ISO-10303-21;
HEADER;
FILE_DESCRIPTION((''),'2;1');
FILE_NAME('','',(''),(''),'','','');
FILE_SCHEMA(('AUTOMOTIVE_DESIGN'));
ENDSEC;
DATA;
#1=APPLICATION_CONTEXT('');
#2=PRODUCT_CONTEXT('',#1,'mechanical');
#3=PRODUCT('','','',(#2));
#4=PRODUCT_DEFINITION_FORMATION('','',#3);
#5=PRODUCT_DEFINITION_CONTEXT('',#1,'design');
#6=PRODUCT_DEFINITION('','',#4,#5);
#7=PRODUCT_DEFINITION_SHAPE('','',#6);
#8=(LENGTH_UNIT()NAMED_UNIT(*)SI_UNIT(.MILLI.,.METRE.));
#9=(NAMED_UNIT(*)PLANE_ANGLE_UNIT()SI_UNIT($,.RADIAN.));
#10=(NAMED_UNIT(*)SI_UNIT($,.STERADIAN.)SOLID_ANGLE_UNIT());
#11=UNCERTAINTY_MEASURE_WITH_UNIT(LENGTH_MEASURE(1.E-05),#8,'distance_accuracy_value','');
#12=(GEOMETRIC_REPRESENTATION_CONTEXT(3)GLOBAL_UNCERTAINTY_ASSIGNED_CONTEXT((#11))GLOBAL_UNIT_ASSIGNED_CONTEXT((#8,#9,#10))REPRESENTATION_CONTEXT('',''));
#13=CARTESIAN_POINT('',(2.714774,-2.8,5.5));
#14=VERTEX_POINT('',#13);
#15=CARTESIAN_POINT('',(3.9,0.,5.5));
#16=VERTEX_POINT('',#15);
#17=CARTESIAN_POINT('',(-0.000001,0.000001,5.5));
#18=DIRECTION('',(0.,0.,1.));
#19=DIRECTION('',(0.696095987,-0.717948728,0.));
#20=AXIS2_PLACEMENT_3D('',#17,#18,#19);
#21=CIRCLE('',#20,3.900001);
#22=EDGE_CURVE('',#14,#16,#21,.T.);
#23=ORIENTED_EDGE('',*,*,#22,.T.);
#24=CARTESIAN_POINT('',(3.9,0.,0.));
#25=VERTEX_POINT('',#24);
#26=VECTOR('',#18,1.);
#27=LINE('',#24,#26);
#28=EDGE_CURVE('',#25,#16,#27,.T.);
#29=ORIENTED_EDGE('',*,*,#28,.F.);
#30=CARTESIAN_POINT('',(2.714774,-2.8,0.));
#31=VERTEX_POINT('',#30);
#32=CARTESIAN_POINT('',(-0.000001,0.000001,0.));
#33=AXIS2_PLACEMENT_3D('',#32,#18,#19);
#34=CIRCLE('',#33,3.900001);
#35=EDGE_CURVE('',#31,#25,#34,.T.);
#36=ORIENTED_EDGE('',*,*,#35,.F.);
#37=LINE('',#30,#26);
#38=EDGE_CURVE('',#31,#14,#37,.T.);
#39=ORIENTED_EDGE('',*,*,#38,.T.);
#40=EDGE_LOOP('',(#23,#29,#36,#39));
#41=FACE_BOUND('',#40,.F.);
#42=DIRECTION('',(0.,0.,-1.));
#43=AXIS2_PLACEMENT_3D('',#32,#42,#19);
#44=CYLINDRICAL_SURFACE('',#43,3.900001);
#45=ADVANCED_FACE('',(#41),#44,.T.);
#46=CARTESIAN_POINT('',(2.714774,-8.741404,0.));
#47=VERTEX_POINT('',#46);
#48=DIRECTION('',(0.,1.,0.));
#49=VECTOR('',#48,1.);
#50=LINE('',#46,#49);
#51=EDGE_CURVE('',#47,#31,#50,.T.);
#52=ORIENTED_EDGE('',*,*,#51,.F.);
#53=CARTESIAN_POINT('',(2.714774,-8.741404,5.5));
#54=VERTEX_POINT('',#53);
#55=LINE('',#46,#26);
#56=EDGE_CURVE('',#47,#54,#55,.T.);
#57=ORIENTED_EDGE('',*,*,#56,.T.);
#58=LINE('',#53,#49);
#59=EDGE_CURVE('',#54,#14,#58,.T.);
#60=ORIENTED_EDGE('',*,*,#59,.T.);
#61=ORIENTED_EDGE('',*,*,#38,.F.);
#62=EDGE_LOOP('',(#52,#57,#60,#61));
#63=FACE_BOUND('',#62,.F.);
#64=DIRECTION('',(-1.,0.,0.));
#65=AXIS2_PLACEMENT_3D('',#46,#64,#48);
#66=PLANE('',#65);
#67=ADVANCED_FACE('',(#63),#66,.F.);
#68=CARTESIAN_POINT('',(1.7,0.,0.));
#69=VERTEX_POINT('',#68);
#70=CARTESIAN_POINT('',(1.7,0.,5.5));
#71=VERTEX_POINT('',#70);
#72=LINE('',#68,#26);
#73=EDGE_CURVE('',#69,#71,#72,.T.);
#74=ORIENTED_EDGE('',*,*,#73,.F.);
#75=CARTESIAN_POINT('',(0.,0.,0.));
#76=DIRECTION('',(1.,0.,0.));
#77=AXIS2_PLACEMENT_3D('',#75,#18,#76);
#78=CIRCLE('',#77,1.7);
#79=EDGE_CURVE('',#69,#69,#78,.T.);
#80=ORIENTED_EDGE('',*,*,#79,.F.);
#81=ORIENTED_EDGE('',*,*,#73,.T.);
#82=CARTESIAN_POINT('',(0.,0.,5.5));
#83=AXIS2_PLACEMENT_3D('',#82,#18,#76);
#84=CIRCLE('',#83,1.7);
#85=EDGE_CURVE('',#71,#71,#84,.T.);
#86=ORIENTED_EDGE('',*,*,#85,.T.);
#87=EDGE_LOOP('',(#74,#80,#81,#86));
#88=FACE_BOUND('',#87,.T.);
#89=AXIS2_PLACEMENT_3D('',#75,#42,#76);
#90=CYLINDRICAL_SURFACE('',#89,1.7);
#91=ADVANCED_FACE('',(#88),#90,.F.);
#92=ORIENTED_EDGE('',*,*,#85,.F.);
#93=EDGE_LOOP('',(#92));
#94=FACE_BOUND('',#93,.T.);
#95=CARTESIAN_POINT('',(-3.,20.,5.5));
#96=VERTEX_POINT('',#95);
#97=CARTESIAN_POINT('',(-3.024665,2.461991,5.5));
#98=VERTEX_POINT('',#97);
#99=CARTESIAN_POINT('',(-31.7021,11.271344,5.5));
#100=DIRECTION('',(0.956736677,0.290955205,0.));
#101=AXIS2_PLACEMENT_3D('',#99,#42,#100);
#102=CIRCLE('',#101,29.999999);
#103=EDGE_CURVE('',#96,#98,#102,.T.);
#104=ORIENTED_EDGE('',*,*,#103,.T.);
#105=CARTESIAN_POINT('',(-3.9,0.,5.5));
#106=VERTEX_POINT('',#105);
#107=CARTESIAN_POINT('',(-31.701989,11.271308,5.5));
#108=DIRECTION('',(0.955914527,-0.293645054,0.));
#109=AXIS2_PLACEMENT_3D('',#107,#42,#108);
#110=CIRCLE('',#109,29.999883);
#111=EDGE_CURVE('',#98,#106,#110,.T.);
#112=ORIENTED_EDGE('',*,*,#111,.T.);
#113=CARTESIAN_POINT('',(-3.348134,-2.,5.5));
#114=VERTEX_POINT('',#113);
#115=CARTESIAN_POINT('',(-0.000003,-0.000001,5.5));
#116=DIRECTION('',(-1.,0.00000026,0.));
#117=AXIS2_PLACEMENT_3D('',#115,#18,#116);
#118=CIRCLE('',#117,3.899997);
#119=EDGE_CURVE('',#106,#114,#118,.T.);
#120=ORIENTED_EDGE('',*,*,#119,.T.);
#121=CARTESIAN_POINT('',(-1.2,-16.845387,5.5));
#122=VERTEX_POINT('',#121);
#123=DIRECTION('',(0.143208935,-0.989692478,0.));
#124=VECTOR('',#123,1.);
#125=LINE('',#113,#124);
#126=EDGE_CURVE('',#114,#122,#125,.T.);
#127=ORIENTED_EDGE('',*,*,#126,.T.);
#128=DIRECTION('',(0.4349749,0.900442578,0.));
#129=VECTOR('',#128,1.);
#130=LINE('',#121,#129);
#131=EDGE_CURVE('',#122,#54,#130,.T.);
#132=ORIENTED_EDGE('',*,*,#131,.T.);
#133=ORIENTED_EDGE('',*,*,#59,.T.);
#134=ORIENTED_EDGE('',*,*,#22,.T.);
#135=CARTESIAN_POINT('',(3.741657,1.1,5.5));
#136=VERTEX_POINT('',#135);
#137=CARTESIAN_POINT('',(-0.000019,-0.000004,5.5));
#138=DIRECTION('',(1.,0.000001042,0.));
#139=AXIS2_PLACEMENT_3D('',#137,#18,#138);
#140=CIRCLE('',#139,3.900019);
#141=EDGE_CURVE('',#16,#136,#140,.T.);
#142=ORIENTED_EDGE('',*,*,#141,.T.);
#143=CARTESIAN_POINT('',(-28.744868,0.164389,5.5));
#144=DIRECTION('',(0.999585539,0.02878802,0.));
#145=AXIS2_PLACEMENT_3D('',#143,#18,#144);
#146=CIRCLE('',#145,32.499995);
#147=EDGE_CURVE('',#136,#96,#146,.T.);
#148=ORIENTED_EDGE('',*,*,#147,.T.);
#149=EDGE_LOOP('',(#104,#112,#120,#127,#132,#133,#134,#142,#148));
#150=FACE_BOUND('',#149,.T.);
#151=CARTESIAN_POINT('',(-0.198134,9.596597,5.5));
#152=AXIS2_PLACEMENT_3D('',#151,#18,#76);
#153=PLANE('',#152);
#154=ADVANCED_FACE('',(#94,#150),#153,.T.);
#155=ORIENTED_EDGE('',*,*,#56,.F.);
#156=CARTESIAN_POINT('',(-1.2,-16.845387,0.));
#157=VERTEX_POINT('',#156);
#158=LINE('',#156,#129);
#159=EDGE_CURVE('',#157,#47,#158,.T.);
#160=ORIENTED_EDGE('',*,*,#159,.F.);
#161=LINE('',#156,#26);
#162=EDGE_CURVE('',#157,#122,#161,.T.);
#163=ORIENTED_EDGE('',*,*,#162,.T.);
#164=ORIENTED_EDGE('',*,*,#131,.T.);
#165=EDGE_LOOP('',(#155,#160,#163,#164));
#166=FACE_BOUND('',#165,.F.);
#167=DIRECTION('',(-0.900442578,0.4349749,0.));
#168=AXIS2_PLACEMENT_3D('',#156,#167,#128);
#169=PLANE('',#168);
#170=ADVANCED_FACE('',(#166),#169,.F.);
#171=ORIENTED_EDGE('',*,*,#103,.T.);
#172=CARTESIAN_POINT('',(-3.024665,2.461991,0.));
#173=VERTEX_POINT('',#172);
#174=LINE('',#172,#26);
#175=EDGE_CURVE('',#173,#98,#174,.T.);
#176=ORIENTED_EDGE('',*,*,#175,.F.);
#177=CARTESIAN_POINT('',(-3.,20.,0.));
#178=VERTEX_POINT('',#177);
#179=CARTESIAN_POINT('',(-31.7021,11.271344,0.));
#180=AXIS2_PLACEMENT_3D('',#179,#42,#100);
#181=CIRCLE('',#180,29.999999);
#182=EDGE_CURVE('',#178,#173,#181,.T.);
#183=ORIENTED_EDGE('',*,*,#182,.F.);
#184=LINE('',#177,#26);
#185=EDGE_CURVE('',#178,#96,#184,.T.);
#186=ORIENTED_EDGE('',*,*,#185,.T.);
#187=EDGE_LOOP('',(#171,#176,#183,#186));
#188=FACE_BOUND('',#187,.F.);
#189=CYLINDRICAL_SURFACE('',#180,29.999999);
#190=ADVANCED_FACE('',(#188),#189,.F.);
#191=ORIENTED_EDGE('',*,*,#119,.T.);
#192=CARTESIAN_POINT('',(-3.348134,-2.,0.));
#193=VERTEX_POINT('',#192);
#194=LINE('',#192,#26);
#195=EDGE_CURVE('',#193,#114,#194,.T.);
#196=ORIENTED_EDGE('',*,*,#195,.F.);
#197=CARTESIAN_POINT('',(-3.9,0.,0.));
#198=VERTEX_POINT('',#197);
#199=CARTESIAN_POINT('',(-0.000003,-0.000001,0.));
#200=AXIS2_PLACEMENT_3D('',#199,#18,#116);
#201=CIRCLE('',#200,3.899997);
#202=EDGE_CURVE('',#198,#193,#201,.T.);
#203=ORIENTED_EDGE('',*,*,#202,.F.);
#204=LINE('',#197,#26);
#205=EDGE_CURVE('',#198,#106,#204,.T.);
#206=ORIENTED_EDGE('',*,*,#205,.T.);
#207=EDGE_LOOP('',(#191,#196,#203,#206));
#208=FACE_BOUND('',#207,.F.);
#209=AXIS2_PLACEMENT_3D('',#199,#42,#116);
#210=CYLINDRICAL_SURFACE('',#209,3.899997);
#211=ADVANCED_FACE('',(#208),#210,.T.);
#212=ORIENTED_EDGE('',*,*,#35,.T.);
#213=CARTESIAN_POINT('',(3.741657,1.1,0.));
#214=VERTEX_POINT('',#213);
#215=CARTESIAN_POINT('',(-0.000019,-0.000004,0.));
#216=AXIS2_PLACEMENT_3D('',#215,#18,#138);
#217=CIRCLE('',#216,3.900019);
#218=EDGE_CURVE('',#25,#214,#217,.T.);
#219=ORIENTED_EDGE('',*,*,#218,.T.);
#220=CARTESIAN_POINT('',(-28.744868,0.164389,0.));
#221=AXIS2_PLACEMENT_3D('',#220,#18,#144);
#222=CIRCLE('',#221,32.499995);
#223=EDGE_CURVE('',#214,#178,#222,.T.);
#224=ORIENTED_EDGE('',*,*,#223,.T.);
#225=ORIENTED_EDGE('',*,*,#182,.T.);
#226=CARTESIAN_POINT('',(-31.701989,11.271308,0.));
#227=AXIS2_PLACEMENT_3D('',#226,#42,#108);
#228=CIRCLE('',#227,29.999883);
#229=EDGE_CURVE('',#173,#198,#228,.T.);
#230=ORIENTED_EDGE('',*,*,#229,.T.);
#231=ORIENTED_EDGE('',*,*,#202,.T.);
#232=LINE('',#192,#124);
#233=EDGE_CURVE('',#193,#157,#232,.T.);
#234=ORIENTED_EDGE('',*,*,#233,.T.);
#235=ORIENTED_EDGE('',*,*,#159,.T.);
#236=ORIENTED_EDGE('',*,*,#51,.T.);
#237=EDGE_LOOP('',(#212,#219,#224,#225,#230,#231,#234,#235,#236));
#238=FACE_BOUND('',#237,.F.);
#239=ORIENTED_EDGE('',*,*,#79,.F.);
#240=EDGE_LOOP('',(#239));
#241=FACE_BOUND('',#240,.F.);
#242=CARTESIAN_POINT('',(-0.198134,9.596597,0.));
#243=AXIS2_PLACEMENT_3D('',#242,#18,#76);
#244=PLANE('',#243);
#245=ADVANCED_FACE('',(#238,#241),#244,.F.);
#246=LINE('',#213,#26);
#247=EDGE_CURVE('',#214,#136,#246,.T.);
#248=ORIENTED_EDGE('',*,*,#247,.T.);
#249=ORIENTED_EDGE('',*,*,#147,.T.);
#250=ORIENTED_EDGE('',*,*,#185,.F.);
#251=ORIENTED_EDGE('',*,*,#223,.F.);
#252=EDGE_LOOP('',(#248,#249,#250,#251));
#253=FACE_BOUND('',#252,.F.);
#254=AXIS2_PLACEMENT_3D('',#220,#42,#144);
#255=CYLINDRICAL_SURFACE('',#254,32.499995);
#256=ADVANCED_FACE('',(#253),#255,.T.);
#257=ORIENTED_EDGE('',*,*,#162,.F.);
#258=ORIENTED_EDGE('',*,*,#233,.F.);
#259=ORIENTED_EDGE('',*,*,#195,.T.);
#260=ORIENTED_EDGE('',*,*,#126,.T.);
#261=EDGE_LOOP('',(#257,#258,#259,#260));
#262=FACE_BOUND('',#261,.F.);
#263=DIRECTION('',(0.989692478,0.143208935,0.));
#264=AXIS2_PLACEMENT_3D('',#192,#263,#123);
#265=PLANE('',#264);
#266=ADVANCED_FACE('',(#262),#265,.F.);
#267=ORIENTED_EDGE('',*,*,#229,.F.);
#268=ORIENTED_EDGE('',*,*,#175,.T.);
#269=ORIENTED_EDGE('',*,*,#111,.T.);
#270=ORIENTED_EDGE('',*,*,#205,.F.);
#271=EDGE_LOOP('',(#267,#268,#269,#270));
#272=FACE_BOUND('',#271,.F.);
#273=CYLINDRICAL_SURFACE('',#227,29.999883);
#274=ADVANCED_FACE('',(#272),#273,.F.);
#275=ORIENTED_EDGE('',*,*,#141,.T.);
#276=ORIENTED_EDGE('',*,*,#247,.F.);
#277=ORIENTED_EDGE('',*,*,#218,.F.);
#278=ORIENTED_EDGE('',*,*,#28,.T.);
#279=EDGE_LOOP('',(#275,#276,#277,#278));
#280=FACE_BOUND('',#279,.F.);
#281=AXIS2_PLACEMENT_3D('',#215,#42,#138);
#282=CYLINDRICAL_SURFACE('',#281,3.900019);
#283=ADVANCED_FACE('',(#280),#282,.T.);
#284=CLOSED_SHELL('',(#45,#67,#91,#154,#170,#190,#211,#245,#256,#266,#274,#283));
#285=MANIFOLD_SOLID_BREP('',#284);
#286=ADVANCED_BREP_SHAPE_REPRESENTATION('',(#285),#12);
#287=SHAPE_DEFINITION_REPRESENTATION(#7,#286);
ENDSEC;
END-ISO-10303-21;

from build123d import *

# Parameters (mm, degrees)
F0_R     = 1.7
F1_DEPTH = 5.5


with BuildPart() as f1:
    # F0 (on Top) → F1 (new body)
    with BuildSketch(Plane.XY):
        with BuildLine():
            ThreePointArc((-3.024665, 2.461991), (0.769594, 3.823313), (3.741657, 1.1))
            ThreePointArc((3.741657, 1.1), (1.866017, 11.083336), (-3, 20))
            ThreePointArc((-3, 20), (-1.70213, 11.229153), (-3.024665, 2.461991))
        make_face()
        with BuildLine():
            ThreePointArc((2.714774, -2.8), (3.591491, -1.52026), (3.9, 0))
            ThreePointArc((3.9, 0), (3.860211, 0.555669), (3.741657, 1.1))
            ThreePointArc((3.741657, 1.1), (0.769594, 3.823313), (-3.024665, 2.461991))
            ThreePointArc((-3.024665, 2.461991), (-3.435515, 1.221461), (-3.9, 0))
            ThreePointArc((-3.9, 0), (-3.759503, -1.037371), (-3.348134, -2))
            ThreePointArc((-3.348134, -2), (-0.510182, -3.866486), (2.714774, -2.8))
        make_face()
        Circle(F0_R, mode=Mode.SUBTRACT)
        with BuildLine():
            Line((2.714774, -8.741404), (2.714774, -2.8))
            ThreePointArc((2.714774, -2.8), (-0.510182, -3.866486), (-3.348134, -2))
            Line((-3.348134, -2), (-1.2, -16.845387))
            Line((-1.2, -16.845387), (2.714774, -8.741404))
        make_face()
    extrude(amount=F1_DEPTH)


solid = f1.part
